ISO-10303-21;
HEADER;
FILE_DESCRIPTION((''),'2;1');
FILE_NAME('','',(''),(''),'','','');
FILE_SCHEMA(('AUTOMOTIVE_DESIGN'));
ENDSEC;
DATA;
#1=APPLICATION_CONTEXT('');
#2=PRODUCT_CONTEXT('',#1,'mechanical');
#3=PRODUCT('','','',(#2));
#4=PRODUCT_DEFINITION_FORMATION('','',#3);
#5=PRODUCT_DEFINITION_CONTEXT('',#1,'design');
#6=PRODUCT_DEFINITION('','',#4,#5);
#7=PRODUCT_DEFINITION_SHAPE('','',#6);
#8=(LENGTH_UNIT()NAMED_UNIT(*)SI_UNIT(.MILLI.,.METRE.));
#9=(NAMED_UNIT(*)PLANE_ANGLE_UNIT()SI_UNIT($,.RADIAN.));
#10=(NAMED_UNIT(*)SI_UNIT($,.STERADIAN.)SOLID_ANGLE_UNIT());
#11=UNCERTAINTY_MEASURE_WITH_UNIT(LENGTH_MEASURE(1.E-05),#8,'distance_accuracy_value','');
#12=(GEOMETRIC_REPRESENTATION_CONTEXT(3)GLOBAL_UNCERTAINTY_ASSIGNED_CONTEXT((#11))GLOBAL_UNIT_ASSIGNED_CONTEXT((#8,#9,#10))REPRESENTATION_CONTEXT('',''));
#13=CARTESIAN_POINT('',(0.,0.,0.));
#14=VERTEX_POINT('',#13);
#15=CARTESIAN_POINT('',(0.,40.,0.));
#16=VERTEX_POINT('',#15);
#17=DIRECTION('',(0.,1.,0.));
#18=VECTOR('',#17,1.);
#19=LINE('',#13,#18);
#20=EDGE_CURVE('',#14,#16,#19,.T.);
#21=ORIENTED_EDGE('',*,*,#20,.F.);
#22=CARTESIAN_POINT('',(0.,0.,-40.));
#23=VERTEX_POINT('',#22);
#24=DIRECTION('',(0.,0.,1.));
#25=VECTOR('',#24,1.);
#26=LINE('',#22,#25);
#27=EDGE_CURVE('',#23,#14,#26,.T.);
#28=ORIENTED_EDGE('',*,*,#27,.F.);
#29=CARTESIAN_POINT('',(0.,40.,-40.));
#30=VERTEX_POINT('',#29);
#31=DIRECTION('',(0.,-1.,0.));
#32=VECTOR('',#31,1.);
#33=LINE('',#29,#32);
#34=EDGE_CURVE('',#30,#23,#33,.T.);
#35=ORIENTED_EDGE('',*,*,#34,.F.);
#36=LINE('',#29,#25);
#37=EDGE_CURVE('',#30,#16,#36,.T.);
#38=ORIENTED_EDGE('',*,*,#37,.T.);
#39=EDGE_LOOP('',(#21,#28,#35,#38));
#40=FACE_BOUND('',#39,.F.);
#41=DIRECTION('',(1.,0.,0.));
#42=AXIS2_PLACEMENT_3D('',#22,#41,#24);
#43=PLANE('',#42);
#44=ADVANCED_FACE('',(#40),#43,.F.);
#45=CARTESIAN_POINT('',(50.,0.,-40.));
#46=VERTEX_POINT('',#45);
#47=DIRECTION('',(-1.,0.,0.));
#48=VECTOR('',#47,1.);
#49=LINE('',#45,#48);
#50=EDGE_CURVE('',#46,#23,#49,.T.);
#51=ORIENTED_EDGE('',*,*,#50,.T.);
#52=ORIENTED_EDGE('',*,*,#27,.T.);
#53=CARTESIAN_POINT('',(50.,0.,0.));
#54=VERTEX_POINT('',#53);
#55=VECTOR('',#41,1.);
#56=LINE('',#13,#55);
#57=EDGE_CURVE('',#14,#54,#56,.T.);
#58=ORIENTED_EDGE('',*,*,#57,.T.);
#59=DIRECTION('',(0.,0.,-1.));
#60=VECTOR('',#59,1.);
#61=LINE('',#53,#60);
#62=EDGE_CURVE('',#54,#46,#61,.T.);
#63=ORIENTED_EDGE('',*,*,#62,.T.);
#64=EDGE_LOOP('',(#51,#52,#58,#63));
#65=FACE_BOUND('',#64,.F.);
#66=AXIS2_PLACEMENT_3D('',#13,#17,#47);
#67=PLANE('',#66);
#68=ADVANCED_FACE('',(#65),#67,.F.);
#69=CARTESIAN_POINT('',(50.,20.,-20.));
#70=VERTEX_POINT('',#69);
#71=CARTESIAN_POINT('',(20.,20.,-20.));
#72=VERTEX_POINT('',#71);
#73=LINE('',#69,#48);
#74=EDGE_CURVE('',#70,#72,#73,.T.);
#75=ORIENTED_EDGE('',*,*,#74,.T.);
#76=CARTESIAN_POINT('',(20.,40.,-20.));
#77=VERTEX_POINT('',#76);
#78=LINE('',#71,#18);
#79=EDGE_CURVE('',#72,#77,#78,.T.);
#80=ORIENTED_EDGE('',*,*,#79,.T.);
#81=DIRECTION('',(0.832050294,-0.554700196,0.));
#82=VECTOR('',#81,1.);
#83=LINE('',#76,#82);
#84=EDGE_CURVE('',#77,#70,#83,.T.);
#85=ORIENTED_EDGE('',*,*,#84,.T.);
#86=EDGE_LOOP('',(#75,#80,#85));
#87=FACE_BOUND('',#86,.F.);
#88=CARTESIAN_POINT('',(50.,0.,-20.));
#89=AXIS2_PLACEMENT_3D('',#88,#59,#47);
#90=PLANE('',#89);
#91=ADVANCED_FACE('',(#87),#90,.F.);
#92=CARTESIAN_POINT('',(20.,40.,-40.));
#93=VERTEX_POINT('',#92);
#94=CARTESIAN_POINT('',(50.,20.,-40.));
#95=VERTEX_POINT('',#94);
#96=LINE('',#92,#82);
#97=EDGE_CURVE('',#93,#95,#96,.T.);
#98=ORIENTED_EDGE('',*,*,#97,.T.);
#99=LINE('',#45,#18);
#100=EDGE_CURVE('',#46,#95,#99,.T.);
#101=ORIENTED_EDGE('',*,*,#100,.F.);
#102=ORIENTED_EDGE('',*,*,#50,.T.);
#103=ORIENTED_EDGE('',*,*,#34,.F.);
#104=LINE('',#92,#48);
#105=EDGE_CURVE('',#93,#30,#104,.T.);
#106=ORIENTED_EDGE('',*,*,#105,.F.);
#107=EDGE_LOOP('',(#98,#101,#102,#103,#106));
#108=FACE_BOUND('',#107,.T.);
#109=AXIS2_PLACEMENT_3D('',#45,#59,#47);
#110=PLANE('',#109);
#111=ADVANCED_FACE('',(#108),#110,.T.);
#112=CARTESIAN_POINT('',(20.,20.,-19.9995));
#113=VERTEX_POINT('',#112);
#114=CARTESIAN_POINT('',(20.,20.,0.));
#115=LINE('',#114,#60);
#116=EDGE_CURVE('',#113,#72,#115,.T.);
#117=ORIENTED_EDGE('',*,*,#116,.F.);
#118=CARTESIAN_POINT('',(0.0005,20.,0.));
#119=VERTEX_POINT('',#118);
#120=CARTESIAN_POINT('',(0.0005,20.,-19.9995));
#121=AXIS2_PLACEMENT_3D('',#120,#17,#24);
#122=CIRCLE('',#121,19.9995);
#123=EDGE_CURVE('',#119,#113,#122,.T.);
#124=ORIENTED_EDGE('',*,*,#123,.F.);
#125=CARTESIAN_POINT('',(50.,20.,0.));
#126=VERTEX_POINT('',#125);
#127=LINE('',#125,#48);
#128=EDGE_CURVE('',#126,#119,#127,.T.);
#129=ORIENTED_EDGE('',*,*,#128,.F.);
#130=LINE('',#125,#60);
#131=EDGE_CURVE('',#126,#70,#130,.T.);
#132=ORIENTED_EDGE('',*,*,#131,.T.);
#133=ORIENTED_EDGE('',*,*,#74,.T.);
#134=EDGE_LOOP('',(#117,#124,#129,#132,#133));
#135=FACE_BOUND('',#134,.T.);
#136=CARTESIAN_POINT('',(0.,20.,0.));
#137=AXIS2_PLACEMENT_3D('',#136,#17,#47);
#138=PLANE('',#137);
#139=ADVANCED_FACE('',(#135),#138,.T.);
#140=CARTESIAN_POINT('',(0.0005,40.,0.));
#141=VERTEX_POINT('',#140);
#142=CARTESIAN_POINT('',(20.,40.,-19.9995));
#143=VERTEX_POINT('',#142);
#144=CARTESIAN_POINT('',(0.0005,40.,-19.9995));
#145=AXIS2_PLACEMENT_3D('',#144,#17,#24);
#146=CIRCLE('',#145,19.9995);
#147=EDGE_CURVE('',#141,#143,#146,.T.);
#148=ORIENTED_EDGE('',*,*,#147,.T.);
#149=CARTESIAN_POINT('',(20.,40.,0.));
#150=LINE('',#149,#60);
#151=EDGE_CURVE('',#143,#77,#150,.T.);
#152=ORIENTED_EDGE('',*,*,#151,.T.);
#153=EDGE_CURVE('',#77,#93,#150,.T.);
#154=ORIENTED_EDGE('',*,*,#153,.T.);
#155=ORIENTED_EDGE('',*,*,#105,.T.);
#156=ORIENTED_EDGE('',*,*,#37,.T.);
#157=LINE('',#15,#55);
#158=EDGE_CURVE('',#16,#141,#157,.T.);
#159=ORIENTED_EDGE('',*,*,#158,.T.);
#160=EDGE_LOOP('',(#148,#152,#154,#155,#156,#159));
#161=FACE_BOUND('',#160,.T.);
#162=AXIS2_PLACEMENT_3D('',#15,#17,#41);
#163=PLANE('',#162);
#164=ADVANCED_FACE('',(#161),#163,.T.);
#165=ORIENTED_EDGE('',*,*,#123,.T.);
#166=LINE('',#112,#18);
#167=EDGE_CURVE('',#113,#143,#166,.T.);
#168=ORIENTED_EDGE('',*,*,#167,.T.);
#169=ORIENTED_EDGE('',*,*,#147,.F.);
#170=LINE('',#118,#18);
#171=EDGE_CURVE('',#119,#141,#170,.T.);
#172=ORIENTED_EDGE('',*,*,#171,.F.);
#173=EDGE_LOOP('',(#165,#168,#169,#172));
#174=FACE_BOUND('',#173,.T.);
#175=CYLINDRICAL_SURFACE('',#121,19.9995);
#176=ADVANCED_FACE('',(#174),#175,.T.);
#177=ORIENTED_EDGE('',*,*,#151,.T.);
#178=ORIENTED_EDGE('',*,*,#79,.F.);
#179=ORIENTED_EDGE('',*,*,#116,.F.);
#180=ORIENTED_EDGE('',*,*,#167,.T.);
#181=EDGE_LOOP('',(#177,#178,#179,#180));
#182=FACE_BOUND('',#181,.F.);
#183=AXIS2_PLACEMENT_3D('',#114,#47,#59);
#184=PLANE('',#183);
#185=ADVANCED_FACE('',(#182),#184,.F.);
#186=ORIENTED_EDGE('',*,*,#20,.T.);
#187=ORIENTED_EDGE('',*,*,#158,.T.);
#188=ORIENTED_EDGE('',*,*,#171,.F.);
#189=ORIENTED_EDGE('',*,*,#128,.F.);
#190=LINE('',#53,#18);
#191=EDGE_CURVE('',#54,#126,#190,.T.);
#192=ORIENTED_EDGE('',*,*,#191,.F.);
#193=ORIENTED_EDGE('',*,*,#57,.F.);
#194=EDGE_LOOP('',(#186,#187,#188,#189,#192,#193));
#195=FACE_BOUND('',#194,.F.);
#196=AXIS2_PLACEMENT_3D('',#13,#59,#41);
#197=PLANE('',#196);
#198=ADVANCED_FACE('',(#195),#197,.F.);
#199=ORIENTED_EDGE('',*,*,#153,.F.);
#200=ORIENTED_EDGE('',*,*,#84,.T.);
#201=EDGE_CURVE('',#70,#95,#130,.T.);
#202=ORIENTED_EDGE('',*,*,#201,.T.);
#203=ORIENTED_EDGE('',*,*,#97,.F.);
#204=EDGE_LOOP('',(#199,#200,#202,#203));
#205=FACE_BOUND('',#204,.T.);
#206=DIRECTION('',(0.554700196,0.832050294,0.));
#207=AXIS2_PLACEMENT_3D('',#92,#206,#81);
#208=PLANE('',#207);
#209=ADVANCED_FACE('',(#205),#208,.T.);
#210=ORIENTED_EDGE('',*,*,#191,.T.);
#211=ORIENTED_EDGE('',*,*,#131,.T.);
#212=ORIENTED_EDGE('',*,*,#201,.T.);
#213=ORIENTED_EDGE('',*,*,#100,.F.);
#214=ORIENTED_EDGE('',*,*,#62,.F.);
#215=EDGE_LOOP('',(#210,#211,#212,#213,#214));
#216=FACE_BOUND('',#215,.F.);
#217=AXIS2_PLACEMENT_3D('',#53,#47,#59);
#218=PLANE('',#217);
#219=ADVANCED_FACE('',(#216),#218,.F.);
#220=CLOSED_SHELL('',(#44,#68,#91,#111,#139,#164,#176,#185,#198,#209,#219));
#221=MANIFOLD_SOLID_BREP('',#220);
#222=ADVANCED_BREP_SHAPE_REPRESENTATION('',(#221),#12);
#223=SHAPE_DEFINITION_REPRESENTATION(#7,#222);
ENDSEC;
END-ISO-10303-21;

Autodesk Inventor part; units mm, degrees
ref_plane "YZ Plane" through (0, 0, 0) normal (1, 0, 0) x (0, 1, 0)
ref_plane "XZ Plane" through (0, 0, 0) normal (0, 1, 0) x (-1, 0, 0)
ref_plane "XY Plane" through (0, 0, 0) normal (0, 0, 1) x (1, 0, 0)
sketch "草圖1" plane through (0, 0, 0) normal (0, 1, 0) x (-1, 0, 0)
  line L0 (0, 0) -> (-50, 0)
  line L1 (-50, 0) -> (-50, -40)
  line L2 (-50, -40) -> (0, -40)
  line L3 (0, -40) -> (0, 0)
  dimension "d0" = 40
  dimension "d1" = 50
extrude "擠出1" add sketch "草圖1" along normal blind 20
sketch "草圖2" plane through (0, 20, 0) normal (0, 1, 0) x (1, 0, 0)
  line L0 (0, 0) -> (20, 0)
  line L1 (20, 0) -> (20, 40)
  line L2 (20, 40) -> (0, 40)
  line L3 (0, 40) -> (0, 0)
  dimension "d4" = 40
  dimension "d5" = 20
extrude "擠出2" add sketch "草圖2" along normal blind 20
fillet "圓角1" radius 20 1 edges at (20, 30, 0)
sketch "草圖3" plane through (50, 0, -40) normal (0, 0, -1) x (-1, 0, 0)
  line L0 (30, 40) -> (50, 40) projected
  line L1 (0, 20) -> (30, 20) projected
  line L2 (30, 40) -> (0, 20)
  line L3 (0, 20) -> (30, 20)
  line L4 (30, 20) -> (30, 40)
  point P0 (50, 0)
extrude "擠出3" add sketch "草圖3" against normal blind 20
properties part number "39"
